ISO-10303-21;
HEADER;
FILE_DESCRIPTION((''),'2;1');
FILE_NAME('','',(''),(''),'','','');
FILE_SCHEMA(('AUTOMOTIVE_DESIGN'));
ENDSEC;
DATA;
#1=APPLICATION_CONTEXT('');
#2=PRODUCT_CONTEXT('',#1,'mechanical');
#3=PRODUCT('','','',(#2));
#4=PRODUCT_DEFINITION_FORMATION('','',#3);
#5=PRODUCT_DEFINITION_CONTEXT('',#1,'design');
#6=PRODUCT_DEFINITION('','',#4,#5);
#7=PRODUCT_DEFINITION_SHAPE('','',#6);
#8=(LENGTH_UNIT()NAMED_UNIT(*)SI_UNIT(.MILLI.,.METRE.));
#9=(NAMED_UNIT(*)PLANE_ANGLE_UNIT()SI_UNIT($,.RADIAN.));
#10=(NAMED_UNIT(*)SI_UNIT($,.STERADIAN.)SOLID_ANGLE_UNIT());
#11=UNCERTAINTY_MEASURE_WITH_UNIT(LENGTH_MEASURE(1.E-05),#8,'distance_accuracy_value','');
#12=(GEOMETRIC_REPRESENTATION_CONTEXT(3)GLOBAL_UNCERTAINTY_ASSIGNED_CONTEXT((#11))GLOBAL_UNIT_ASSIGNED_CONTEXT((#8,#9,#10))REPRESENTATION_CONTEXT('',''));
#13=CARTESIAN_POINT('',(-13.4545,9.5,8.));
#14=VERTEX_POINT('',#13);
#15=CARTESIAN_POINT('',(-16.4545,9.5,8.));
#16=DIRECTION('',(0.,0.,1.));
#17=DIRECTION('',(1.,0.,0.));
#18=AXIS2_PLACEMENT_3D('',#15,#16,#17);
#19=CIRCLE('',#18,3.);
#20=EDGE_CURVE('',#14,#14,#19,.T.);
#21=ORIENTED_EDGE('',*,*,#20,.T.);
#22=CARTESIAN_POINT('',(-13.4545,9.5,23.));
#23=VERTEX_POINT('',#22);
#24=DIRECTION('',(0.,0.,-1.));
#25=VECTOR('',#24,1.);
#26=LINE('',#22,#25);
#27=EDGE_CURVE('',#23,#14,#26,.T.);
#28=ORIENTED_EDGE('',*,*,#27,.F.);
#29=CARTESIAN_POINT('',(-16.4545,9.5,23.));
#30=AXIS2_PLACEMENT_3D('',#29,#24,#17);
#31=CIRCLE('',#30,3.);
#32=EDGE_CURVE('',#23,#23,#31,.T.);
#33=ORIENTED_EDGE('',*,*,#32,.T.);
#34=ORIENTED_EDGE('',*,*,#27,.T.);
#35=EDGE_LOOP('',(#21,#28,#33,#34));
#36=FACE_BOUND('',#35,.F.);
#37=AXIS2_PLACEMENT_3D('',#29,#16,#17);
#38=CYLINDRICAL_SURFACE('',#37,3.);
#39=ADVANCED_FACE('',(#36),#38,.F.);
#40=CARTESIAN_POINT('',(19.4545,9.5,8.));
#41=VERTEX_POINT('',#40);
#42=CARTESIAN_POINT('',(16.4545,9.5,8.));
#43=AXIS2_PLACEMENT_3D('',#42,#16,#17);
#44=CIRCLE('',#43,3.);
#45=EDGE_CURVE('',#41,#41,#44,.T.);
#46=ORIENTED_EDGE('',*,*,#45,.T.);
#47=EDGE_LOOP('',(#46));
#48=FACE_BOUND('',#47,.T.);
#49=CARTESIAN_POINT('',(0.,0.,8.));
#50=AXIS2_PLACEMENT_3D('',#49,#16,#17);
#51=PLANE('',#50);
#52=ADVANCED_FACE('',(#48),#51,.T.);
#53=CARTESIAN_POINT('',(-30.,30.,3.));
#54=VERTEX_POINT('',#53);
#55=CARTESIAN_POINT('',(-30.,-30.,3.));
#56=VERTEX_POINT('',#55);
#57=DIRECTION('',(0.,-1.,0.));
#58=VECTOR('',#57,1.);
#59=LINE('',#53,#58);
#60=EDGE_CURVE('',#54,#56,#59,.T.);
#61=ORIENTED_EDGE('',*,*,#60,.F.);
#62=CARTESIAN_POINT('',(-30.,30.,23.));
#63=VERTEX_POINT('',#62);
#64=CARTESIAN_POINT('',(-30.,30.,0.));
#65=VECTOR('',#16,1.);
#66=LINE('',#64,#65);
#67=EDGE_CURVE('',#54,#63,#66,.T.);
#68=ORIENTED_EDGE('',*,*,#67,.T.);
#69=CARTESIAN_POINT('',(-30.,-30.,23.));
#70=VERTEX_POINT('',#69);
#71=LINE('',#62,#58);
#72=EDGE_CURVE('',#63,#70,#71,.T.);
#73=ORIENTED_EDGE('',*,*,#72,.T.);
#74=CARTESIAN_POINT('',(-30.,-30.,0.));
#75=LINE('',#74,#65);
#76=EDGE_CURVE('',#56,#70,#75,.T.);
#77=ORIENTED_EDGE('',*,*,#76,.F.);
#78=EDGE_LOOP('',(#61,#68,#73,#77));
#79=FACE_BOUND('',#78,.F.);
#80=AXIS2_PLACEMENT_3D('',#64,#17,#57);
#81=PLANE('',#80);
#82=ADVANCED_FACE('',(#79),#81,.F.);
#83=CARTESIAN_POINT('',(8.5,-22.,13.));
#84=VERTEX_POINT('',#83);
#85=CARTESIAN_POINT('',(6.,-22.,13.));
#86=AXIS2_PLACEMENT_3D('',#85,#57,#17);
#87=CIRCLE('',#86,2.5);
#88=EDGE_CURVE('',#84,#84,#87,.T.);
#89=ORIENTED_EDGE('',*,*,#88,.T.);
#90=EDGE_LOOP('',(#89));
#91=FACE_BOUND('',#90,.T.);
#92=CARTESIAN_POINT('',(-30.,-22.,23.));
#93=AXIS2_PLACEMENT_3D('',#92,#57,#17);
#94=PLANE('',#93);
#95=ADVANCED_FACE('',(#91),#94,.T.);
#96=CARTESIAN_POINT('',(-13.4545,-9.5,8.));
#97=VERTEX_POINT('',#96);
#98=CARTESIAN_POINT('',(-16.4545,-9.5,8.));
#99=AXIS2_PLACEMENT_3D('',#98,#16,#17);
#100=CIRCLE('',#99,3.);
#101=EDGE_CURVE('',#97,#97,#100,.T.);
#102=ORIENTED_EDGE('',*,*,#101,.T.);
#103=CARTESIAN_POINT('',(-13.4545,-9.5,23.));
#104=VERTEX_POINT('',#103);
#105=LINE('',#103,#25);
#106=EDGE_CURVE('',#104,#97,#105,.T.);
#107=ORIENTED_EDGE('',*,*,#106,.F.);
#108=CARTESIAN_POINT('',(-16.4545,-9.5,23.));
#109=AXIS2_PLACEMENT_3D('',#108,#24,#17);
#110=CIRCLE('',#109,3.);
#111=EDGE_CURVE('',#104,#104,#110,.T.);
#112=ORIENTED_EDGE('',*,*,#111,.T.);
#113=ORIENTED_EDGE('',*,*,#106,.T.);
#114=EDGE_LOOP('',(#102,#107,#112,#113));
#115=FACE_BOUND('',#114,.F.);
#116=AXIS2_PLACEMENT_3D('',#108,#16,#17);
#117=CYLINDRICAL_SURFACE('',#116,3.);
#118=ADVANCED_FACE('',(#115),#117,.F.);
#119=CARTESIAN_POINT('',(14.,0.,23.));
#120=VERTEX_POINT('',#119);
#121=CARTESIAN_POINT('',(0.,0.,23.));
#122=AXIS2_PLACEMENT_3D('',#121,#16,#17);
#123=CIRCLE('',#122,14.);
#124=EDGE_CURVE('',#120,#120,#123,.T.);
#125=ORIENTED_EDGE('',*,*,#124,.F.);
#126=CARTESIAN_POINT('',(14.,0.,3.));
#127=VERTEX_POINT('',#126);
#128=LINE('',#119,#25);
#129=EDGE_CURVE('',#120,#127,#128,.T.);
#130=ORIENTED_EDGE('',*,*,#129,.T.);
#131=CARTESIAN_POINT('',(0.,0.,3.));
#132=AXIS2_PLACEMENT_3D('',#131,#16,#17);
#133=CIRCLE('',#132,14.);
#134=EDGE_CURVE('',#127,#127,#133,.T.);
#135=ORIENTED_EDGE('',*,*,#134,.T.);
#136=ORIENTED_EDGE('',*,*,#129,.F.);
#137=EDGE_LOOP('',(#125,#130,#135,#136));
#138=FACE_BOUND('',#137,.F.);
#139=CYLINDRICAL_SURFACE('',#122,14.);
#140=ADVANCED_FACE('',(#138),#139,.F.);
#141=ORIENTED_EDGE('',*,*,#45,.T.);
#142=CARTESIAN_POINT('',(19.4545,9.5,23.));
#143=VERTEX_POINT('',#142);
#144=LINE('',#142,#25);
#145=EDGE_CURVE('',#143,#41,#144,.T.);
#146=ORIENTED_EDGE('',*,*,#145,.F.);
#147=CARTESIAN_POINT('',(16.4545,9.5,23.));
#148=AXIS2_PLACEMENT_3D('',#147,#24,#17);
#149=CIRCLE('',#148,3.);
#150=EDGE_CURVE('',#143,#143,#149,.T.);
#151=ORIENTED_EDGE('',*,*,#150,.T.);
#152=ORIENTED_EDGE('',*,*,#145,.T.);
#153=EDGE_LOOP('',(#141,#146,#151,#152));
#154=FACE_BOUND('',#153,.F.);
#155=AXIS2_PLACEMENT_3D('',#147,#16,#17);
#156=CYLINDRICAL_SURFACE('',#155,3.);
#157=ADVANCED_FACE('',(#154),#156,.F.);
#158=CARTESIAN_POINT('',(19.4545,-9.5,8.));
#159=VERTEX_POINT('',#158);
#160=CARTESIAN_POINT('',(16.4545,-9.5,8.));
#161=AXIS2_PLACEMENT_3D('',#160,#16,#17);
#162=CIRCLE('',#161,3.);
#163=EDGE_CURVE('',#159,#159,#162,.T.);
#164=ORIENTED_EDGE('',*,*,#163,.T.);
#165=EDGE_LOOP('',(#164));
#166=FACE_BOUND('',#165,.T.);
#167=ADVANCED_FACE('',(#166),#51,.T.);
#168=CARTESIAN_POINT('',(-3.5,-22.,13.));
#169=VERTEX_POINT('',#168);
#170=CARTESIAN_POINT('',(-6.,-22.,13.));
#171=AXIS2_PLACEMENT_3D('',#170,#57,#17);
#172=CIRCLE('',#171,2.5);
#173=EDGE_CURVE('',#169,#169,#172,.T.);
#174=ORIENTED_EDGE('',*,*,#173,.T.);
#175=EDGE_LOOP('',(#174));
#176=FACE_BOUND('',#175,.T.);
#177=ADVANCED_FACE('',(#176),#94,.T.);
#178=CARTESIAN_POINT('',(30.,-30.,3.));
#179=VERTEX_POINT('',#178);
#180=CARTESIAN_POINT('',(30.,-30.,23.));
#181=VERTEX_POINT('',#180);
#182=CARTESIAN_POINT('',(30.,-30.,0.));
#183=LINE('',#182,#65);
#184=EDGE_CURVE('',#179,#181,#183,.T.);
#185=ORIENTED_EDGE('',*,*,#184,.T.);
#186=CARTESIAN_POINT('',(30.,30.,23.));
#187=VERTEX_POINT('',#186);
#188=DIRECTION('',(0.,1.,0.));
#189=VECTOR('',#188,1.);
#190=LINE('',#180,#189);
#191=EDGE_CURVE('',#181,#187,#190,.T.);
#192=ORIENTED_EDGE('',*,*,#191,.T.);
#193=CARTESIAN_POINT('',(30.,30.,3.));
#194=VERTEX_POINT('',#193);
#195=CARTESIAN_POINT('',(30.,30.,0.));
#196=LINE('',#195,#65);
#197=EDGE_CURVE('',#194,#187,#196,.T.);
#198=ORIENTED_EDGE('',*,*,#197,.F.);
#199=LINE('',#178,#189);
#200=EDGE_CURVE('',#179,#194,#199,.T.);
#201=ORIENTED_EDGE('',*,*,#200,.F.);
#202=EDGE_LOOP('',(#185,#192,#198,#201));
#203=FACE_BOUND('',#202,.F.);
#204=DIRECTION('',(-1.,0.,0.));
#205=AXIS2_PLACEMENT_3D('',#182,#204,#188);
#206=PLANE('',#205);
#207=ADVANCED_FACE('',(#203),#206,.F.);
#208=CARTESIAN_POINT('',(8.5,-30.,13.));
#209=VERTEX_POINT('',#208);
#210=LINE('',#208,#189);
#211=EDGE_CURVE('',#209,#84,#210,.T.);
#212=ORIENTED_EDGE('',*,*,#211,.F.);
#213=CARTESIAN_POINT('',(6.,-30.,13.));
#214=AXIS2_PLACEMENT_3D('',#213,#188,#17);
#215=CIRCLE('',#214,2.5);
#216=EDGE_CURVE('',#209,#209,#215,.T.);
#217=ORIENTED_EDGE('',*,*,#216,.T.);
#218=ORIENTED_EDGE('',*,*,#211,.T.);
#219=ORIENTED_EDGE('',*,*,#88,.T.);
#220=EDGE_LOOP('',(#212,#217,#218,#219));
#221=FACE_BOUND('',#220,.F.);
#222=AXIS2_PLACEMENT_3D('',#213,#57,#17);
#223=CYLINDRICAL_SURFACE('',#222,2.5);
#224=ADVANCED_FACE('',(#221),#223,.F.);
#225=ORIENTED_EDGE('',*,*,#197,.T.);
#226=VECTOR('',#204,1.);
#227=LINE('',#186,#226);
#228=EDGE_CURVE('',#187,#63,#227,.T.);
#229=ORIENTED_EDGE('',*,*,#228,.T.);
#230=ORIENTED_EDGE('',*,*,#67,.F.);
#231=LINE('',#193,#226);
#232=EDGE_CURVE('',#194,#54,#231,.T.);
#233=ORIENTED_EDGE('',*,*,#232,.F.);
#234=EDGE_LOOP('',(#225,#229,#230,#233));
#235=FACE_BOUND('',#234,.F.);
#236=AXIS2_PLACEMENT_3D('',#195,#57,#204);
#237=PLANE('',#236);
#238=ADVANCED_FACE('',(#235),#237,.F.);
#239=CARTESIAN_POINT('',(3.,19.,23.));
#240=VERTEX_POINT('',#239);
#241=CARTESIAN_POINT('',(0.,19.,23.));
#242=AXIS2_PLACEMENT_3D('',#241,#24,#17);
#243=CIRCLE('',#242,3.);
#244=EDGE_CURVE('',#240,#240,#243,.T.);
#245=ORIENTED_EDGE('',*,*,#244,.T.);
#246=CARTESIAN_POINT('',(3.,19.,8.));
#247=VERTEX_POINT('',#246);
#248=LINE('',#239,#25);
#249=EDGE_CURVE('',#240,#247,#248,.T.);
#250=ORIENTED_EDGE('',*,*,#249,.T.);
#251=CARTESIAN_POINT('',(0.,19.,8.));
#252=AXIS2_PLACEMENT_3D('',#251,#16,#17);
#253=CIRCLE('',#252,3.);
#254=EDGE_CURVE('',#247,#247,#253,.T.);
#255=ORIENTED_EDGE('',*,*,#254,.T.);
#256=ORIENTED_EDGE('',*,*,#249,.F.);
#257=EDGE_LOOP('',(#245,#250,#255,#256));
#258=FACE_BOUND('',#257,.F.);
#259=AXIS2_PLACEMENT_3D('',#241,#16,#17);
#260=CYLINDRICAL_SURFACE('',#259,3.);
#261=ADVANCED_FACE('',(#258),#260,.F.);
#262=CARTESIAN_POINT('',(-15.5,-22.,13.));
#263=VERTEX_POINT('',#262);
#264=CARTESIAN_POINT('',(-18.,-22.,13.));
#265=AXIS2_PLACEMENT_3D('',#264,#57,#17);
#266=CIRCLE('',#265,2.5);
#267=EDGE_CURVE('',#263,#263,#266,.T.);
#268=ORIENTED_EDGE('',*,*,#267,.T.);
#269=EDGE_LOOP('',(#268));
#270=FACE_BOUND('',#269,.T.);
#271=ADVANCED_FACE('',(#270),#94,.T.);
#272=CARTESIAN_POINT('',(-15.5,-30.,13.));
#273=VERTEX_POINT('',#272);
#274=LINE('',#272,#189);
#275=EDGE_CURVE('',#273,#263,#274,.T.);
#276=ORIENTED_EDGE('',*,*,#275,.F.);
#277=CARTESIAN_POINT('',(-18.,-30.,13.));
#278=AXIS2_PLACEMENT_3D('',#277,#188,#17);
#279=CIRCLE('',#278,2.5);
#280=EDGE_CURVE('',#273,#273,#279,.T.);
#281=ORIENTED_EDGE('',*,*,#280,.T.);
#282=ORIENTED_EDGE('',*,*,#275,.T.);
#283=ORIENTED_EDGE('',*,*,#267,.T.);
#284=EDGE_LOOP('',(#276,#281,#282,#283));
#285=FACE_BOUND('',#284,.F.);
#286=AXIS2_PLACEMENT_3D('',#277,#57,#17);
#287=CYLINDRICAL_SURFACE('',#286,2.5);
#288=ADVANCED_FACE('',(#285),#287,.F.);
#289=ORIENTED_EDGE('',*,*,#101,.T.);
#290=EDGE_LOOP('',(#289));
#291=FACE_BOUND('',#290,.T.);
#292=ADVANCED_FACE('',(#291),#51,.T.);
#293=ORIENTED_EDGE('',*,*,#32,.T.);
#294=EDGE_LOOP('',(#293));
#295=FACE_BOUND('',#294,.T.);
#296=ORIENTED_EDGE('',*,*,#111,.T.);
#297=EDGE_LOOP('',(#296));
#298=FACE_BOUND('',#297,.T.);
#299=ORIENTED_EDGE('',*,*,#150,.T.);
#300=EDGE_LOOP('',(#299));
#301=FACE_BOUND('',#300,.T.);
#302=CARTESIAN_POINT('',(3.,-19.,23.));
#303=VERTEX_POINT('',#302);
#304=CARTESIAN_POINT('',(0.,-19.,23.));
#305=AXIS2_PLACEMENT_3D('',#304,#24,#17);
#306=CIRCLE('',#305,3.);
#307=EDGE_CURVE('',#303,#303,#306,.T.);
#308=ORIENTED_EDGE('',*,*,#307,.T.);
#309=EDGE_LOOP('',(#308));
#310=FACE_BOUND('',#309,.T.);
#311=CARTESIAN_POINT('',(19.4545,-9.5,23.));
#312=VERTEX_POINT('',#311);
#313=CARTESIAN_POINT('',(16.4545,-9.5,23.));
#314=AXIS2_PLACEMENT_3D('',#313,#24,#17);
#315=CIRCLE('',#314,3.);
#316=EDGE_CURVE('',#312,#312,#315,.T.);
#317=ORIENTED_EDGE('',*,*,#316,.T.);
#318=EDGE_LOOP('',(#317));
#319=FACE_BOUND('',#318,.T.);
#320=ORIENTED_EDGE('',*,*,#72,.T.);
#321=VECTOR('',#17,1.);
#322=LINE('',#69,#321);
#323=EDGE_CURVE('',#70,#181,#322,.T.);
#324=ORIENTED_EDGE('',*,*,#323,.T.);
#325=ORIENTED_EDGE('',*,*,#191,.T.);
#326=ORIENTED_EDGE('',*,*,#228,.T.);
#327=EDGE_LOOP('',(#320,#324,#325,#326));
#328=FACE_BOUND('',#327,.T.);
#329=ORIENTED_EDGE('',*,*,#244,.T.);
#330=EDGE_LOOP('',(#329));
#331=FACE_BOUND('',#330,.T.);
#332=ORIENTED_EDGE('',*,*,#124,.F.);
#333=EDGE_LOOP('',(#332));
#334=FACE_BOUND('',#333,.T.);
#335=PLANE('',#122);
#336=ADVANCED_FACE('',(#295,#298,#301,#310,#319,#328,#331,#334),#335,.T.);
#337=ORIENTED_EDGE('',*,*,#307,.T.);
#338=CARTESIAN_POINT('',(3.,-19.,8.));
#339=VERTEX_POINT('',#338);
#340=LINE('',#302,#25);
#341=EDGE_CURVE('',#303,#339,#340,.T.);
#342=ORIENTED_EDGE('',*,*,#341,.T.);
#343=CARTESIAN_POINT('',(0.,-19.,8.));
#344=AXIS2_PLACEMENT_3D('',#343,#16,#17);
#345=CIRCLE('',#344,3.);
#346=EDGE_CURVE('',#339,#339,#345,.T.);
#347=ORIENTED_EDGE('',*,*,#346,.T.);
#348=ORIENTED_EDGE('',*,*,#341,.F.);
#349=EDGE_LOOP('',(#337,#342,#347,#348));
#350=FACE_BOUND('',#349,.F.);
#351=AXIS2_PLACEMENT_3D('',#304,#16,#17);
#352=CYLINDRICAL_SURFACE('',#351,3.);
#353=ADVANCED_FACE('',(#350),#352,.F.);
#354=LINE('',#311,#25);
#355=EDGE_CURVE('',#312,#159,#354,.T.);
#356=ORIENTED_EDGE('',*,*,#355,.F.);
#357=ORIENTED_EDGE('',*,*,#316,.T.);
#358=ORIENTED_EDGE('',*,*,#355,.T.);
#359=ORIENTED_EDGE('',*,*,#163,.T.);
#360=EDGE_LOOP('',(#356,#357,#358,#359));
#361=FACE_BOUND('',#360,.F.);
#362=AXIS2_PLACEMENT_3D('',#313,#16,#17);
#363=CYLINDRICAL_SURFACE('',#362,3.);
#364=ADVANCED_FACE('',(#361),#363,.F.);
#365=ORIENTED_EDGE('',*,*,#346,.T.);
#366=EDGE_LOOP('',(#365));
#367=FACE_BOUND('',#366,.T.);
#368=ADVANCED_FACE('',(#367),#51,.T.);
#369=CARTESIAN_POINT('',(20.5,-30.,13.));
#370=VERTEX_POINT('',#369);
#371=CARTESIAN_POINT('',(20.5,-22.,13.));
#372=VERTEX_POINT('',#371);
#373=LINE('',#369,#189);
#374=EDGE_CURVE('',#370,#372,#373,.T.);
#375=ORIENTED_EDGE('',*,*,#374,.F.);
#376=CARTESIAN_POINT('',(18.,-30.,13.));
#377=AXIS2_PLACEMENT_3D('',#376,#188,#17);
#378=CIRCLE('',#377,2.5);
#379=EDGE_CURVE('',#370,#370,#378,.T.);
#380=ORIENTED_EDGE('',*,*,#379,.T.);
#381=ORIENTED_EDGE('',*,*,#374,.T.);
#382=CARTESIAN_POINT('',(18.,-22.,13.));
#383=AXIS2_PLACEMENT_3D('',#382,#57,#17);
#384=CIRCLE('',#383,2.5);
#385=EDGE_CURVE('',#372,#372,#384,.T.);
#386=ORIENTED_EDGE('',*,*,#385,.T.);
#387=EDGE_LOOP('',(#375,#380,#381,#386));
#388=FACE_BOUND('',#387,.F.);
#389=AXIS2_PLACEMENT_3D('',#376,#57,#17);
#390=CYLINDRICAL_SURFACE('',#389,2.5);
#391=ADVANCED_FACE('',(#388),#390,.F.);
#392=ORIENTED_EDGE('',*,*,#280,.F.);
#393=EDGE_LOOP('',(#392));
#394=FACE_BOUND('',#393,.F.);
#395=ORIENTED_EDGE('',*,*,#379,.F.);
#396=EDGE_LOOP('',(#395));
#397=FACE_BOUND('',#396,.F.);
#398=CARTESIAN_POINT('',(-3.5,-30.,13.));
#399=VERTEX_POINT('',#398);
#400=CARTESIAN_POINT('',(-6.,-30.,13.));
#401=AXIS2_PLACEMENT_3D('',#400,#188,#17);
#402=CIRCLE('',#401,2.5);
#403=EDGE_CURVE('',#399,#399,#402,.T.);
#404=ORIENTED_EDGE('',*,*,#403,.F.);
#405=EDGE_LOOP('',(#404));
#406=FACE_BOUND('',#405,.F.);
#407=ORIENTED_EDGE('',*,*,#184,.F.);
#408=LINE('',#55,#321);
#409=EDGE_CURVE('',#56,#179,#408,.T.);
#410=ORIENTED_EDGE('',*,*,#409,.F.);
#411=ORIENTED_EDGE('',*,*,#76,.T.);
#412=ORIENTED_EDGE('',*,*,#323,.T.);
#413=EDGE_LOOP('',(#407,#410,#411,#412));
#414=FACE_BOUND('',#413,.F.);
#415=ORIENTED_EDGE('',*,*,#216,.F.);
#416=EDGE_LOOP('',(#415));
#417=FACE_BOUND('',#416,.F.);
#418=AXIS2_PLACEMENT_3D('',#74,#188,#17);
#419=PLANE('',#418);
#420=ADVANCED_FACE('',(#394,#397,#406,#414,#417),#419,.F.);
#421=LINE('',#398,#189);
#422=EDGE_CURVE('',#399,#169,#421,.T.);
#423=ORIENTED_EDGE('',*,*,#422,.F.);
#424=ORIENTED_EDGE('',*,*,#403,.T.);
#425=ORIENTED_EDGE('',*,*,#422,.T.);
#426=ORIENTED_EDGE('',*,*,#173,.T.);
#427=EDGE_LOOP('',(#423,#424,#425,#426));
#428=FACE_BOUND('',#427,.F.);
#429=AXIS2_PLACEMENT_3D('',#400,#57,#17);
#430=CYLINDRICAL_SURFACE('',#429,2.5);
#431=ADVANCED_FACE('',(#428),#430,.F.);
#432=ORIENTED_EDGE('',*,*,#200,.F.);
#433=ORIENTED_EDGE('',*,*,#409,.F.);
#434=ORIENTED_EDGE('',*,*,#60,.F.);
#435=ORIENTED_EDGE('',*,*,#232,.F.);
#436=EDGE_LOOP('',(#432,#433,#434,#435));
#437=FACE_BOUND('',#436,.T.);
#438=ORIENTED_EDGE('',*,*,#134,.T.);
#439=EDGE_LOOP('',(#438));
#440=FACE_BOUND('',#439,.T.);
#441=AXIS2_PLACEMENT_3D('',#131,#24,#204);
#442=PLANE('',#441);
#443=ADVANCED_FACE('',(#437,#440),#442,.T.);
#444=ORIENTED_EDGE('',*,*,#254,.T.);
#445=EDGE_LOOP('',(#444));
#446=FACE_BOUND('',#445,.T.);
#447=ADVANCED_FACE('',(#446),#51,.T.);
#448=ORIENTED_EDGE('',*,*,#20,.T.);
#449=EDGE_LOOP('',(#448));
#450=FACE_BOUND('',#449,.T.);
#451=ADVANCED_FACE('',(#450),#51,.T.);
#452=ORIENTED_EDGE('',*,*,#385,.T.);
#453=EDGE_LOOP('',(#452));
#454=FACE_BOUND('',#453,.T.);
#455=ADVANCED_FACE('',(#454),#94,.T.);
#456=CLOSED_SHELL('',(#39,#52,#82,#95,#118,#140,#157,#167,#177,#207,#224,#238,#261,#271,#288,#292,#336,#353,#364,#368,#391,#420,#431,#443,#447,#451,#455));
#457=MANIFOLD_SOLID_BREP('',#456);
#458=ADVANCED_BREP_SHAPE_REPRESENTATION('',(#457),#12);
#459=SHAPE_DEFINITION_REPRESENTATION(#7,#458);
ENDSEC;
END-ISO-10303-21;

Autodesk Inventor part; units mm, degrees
ref_plane "YZ Plane" through (0, 0, 0) normal (1, 0, 0) x (0, 1, 0)
ref_plane "XZ Plane" through (0, 0, 0) normal (0, 1, 0) x (-1, 0, 0)
ref_plane "XY Plane" through (0, 0, 0) normal (0, 0, 1) x (1, 0, 0)
sketch "Szkic1" plane through (0, 0, 0) normal (0, 0, 1) x (1, 0, 0)
  line L0 (-30, -30) -> (30, -30)
  line L1 (30, -30) -> (30, 30)
  line L2 (30, 30) -> (-30, 30)
  line L3 (-30, 30) -> (-30, -30)
  line L4 (-30, -30) -> (30, 30) construction
  line L5 (30, -30) -> (-30, 30) construction
  point P0 (0, 0)
  dimension "d0" = 60
  dimension "d1" = 60
extrude "Wyciągnięcie proste1" add sketch "Szkic1" along normal blind 35
sketch "Szkic2" plane through (0, 0, 35) normal (0, 0, 1) x (1, 0, 0)
  circle A0 centre (0, 0) radius 25
  dimension "d4" = 50
extrude "Wyciągnięcie proste2" cut sketch "Szkic2" against normal blind 12
sketch "Szkic3" plane through (0, 0, 23) normal (0, 0, 1) x (1, 0, 0)
  circle A0 centre (0, 0) radius 14
  dimension "d7" = 28
extrude "Wyciągnięcie proste3" cut sketch "Szkic3" against normal up to next
sketch "Szkic4" plane through (0, 0, 23) normal (0, 0, 1) x (1, 0, 0)
  circle A0 centre (0, 0) radius 19
  circle A1 centre (0, 19) radius 3
  circle A2 centre (-16.4545, 9.5) radius 3
  circle A3 centre (-16.4545, -9.5) radius 3
  circle A4 centre (0, -19) radius 3
  circle A5 centre (16.4545, -9.5) radius 3
  circle A6 centre (16.4545, 9.5) radius 3
  dimension "d10" = 38
  dimension "d11" = 6
  dimension "d14" = 360
sketch "Szkic13" plane through (0, 0, 35) normal (0, 0, 1) x (1, 0, 0)
  circle A0 centre (0, 0) radius 25 projected
  line L0 (-30, -30) -> (30, -30) projected
  line L1 (30, -30) -> (30, 30) projected
  line L2 (30, 30) -> (-30, 30) projected
  line L3 (-30, 30) -> (-30, -30) projected
extrude "Wyciągnięcie proste10" cut sketch "Szkic13" against normal up to surface (12 mm away)
extrude "Wyciągnięcie proste11" cut sketch "Szkic4" against normal blind 15 contours A6 A0 | A0 A6 | A5 A0 | A0 A5 | A1 A0 | A0 A1 | A4 A0 | A0 A4 | A2 A0 | A0 A2 | A3 A0 | A0 A3
thread "Gwint7" size "M6x1" class "6H" standard "ANSI Metric M Profile" full length
thread "Gwint8" size "M6x1" class "6H" standard "ANSI Metric M Profile" full length
thread "Gwint9" size "M6x1" class "6H" standard "ANSI Metric M Profile" full length
thread "Gwint10" size "M6x1" class "6H" standard "ANSI Metric M Profile" full length
thread "Gwint11" size "M6x1" class "6H" standard "ANSI Metric M Profile" full length
thread "Gwint12" size "M6x1" class "6H" standard "ANSI Metric M Profile" full length
sketch "Szkic14" plane through (0, 0, 0) normal (0, 0, -1) x (-1, 0, 0)
  circle A0 centre (0, 0) radius 14 projected
  line L0 (30, -30) -> (-30, -30) projected
  line L1 (30, 30) -> (30, -30) projected
  line L2 (-30, 30) -> (30, 30) projected
  line L3 (-30, -30) -> (-30, 30) projected
extrude "Wyciągnięcie proste12" cut sketch "Szkic14" against normal blind 3
sketch "Szkic15" plane through (-30, -30, 23) normal (0, -1, 0) x (1, 0, 0)
  line L0 (0, -20) -> (60, -20) projected
  line L1 (60, -20) -> (60, 0) projected
  line L2 (60, 0) -> (0, 0) projected
  line L3 (0, -20) -> (0, 0) projected
  line L4 (0, 0) -> (60, 0) projected
  line L5 (0, 0) -> (0, -10)
  line L6 (0, -10) -> (60, -10)
  line L7 (60, -20) -> (60, 0) projected
  line L8 (0, -10) -> (12, -10)
  line L9 (12, -10) -> (24, -10)
  line L10 (24, -10) -> (36, -10)
  line L11 (36, -10) -> (48, -10)
  circle A0 centre (12, -10) radius 2.5
  circle A1 centre (24, -10) radius 2.5
  circle A2 centre (36, -10) radius 2.5
  circle A3 centre (48, -10) radius 2.5
  point P0 (30, -23)
  dimension "d79" = 10
  dimension "d80" = 12
  dimension "d81" = 12
  dimension "d82" = 12
  dimension "d83" = 12
  dimension "d84" = 5
  dimension "d85" = 5
  dimension "d86" = 5
  dimension "d87" = 5
extrude "Wyciągnięcie proste13" cut sketch "Szkic15" against normal blind 8 contours A0 L6 | L6 A0 | A3 L6 | L6 A3 | A1 L6 | L6 A1 | A2 L6 | L6 A2
thread "Gwint13" size "M5x0.8" class "6H" standard "ANSI Metric M Profile" full length
thread "Gwint14" size "M5x0.8" class "6H" standard "ANSI Metric M Profile" full length
thread "Gwint15" size "M5x0.8" class "6H" standard "ANSI Metric M Profile" full length
thread "Gwint16" size "M5x0.8" class "6H" standard "ANSI Metric M Profile" full length
properties part number "Obudowa nakrętki trapezowej fi 16"
